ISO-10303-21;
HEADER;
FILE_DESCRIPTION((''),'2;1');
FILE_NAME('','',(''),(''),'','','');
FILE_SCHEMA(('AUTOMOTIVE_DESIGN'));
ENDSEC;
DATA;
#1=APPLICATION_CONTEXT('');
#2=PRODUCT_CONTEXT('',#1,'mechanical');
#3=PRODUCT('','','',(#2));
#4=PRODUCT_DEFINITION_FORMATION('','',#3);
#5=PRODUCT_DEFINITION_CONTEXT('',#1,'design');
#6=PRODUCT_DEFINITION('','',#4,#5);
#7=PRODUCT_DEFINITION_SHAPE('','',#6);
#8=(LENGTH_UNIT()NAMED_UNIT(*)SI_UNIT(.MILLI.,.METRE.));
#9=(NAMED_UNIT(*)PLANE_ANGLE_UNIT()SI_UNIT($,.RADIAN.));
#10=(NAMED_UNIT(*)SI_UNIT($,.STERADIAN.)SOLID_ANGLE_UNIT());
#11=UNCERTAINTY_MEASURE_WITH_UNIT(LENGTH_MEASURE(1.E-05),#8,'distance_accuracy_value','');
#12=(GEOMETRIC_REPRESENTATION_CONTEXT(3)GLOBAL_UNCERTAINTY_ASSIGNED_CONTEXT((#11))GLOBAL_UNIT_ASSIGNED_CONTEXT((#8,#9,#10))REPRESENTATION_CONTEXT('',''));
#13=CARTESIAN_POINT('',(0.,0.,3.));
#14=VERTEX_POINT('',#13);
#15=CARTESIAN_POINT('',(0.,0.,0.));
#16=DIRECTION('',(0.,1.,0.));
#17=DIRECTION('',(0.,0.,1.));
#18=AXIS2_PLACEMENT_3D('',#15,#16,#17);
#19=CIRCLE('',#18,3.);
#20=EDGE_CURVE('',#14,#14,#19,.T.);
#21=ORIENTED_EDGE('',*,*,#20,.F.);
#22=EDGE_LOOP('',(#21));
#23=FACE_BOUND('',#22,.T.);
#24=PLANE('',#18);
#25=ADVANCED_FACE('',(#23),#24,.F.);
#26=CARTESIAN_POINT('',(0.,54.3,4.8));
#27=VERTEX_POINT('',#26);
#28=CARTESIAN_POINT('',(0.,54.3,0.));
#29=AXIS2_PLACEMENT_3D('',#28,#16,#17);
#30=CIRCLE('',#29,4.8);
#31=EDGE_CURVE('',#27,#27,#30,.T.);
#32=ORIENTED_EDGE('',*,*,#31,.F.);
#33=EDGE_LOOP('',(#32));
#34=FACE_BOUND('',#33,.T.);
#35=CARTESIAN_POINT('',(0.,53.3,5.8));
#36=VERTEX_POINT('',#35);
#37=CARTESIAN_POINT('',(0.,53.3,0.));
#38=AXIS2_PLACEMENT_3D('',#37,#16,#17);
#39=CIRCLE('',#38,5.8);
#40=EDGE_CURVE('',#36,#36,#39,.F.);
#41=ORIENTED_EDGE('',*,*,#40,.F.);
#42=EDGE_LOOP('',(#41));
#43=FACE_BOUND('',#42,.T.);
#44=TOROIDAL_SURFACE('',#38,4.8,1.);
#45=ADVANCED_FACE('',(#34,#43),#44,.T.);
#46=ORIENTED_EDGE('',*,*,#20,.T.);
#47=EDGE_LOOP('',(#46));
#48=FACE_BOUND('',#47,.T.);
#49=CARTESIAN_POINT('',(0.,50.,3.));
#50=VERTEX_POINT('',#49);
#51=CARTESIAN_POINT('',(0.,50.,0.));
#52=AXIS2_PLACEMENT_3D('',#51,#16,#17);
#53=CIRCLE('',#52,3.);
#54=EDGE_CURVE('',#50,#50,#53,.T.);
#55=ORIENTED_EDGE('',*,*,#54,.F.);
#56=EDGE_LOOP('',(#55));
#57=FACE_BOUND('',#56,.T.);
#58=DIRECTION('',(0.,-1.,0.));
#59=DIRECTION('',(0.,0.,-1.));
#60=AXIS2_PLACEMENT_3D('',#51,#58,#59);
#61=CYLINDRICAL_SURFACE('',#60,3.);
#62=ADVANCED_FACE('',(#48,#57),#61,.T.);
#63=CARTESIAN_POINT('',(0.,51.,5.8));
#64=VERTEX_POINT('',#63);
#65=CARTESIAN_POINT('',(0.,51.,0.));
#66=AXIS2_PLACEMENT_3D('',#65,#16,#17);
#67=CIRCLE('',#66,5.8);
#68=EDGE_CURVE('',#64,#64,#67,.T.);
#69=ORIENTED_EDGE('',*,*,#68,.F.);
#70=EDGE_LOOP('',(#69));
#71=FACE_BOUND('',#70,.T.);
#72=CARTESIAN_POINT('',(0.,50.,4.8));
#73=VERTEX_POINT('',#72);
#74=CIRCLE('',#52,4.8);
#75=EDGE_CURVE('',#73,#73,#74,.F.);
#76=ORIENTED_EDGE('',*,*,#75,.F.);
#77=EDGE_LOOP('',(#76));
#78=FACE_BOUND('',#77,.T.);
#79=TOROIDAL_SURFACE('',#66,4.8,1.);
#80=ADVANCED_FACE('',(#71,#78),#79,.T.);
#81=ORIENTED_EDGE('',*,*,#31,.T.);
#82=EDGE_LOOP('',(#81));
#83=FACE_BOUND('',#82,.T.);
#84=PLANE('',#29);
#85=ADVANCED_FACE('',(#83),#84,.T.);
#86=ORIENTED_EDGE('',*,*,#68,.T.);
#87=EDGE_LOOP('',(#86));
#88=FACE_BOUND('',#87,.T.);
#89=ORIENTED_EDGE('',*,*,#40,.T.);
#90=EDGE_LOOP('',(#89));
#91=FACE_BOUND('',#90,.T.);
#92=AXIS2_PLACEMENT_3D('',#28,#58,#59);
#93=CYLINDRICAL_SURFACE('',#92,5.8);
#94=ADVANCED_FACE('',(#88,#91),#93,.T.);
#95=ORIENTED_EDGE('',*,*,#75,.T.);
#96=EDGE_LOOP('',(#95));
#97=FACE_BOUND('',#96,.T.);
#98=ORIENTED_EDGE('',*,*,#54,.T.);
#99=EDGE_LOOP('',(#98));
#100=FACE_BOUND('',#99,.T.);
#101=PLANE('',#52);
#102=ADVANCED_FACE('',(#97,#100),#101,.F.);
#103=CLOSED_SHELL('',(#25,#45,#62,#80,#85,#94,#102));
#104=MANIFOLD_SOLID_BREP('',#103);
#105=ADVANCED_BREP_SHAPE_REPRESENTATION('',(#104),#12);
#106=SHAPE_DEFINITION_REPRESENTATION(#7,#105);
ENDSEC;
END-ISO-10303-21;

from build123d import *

# Parameters (mm, degrees)
SKETCH1_R           = 3
BOSS_EXTRUDE1_DEPTH = 50
SKETCH2_R           = 5.8
BOSS_EXTRUDE2_DEPTH = 4.3
FILLET1_R           = 1


with BuildPart() as part:
    # Sketch1 → Boss-Extrude1 (new body)
    with BuildSketch(Plane(origin=(0, 0, 0), x_dir=(1, 0, 0), z_dir=(0, 1, 0))):
        with Locations(Location((0, 0, 0), (0, 0, 270))):  # turned: the seam where the file's is
            Circle(SKETCH1_R)
    extrude(amount=BOSS_EXTRUDE1_DEPTH)

    # Sketch2 → Boss-Extrude2 (add)
    with BuildSketch(Plane(origin=(0, 50, 0), x_dir=(1, 0, 0), z_dir=(0, 1, 0))):
        with Locations(Location((0, 0, 0), (0, 0, 270))):  # turned: the seam where the file's is
            Circle(SKETCH2_R)
    extrude(amount=BOSS_EXTRUDE2_DEPTH)

    # Fillet1
    fillet1_edges = [part.edges().sort_by_distance(p)[0] for p in [
        (0, 50, -5.8),
        (0, 54.3, -5.8),
    ]]
    fillet(fillet1_edges, radius=FILLET1_R)


solid = part.part
